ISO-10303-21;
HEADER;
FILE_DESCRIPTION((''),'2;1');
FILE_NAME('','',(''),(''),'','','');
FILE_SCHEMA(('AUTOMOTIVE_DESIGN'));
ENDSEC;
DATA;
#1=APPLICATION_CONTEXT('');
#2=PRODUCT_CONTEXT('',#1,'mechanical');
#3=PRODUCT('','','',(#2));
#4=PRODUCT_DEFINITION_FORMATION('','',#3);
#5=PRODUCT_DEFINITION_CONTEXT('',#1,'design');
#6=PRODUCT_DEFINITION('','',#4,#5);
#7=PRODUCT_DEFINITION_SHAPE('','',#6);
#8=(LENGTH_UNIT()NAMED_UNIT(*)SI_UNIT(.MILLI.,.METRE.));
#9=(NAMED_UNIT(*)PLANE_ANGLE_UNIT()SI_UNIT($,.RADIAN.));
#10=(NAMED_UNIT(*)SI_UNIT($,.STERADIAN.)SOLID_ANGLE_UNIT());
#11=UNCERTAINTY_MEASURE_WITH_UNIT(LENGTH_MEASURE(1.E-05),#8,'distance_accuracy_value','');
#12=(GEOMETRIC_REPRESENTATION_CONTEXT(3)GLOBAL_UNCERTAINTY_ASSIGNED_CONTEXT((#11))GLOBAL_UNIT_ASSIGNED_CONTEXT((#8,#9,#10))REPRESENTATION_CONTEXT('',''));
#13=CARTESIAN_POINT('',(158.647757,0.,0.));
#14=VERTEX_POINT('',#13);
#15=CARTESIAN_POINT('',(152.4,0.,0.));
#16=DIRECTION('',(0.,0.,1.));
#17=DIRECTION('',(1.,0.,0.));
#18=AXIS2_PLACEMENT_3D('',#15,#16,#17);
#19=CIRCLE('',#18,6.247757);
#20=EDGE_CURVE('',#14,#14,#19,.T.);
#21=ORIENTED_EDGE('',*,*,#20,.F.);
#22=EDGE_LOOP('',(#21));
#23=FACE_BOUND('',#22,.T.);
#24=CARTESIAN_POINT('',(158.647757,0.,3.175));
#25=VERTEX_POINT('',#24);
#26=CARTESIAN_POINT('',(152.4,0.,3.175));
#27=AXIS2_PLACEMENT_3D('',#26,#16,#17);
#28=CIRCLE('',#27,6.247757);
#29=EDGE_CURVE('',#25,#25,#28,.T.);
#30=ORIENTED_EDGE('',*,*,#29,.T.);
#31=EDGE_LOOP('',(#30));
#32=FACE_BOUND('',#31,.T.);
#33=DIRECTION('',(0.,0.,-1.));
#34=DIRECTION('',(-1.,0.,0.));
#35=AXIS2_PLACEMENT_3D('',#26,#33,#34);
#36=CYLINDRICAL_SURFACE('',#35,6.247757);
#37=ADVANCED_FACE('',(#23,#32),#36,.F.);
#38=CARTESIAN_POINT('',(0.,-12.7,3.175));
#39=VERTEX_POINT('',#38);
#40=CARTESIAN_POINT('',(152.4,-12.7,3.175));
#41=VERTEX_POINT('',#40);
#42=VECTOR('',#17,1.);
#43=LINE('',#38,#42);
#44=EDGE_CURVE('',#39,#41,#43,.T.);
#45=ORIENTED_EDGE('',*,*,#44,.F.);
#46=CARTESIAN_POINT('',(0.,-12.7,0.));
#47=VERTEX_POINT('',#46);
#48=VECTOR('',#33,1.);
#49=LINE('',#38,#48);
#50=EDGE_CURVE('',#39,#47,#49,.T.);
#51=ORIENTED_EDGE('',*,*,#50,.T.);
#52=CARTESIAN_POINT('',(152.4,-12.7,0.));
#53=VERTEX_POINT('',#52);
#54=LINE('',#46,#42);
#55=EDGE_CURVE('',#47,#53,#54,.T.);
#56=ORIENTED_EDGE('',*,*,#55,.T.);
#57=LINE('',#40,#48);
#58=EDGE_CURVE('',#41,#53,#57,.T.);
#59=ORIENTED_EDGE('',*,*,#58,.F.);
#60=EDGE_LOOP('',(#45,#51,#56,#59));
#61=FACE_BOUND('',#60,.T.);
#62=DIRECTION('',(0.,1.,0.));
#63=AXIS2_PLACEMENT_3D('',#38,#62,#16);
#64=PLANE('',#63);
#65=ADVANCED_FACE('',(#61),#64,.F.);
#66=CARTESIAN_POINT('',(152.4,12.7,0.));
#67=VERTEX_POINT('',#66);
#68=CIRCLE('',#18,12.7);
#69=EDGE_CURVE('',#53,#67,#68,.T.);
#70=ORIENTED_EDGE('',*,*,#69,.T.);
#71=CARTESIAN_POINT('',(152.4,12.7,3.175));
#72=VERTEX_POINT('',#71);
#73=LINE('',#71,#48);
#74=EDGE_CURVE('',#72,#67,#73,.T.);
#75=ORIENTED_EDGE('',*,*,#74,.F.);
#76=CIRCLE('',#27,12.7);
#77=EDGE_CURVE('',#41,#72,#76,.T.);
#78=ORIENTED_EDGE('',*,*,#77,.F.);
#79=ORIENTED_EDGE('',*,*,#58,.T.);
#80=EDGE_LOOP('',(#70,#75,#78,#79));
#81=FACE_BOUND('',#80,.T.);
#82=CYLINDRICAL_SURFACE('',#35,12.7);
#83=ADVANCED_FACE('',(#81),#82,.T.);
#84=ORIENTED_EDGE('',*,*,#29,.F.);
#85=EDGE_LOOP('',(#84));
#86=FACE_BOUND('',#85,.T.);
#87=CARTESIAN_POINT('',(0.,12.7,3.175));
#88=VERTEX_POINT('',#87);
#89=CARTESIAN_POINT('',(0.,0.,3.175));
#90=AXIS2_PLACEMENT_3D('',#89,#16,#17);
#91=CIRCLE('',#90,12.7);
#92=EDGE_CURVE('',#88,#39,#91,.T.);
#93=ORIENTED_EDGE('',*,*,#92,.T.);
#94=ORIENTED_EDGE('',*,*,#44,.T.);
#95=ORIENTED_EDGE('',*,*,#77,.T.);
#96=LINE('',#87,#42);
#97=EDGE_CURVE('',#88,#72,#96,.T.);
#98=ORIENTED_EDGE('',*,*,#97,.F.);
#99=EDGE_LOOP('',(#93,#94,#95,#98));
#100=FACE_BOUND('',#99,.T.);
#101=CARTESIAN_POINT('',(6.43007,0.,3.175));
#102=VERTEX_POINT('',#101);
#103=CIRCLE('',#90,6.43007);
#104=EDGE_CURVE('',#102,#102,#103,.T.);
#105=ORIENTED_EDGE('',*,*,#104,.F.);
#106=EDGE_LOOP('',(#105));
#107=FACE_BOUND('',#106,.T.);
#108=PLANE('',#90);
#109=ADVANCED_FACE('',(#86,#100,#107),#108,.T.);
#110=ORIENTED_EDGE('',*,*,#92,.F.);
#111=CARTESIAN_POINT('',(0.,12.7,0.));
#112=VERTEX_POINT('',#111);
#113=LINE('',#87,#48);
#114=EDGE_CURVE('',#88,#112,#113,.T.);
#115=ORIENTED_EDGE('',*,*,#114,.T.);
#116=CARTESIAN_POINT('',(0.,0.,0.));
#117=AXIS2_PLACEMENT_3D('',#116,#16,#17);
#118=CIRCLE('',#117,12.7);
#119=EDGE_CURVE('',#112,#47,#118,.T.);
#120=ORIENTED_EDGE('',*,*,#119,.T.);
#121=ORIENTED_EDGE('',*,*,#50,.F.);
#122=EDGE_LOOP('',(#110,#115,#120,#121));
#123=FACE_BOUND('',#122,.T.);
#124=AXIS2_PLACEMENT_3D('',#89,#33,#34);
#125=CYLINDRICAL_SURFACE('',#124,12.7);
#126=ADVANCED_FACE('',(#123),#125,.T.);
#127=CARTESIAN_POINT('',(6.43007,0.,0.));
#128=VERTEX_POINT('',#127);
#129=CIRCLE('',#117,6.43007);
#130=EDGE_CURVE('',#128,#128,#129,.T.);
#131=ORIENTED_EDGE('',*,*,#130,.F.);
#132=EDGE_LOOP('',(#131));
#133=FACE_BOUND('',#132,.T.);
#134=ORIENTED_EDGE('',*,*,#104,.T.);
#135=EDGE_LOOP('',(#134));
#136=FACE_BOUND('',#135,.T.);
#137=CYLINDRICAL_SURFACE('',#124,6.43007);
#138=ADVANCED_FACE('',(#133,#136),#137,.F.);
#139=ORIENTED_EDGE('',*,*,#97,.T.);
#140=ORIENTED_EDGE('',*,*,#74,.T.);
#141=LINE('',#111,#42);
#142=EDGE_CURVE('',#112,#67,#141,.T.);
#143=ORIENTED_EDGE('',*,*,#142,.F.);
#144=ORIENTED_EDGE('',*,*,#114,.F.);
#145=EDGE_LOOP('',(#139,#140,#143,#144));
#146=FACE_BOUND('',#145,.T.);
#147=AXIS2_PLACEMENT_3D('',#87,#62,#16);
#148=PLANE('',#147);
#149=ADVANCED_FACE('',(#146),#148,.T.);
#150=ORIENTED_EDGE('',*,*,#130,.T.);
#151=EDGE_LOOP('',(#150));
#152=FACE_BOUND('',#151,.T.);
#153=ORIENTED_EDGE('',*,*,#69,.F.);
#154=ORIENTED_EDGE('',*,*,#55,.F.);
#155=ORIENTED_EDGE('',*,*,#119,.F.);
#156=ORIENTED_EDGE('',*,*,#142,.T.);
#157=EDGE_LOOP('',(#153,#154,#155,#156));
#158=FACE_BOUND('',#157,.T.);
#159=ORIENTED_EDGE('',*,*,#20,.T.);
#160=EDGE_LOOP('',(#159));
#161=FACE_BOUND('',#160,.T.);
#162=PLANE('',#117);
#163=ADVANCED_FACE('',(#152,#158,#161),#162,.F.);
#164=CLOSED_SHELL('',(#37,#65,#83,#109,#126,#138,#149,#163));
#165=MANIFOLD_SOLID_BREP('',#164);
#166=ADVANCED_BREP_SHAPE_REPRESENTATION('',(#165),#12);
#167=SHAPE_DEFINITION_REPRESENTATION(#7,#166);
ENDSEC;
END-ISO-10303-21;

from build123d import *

# Parameters (mm, degrees)
SKETCH1_R           = 6.430069769
SKETCH1_R_2         = 6.247756724
BOSS_EXTRUDE1_DEPTH = 3.175


with BuildPart() as part:
    # Sketch1 → Boss-Extrude1 (new body)
    with BuildSketch(Plane.XY):
        with BuildLine():
            Line((0, 12.7), (152.4, 12.7))
            ThreePointArc((152.4, 12.7), (165.1, 0), (152.4, -12.7))
            Line((152.4, -12.7), (0, -12.7))
            ThreePointArc((0, -12.7), (-12.7, 0), (0, 12.7))
        make_face()
        Circle(SKETCH1_R, mode=Mode.SUBTRACT)
        with Locations((152.4, 0)):
            Circle(SKETCH1_R_2, mode=Mode.SUBTRACT)
    extrude(amount=BOSS_EXTRUDE1_DEPTH)


solid = part.part
